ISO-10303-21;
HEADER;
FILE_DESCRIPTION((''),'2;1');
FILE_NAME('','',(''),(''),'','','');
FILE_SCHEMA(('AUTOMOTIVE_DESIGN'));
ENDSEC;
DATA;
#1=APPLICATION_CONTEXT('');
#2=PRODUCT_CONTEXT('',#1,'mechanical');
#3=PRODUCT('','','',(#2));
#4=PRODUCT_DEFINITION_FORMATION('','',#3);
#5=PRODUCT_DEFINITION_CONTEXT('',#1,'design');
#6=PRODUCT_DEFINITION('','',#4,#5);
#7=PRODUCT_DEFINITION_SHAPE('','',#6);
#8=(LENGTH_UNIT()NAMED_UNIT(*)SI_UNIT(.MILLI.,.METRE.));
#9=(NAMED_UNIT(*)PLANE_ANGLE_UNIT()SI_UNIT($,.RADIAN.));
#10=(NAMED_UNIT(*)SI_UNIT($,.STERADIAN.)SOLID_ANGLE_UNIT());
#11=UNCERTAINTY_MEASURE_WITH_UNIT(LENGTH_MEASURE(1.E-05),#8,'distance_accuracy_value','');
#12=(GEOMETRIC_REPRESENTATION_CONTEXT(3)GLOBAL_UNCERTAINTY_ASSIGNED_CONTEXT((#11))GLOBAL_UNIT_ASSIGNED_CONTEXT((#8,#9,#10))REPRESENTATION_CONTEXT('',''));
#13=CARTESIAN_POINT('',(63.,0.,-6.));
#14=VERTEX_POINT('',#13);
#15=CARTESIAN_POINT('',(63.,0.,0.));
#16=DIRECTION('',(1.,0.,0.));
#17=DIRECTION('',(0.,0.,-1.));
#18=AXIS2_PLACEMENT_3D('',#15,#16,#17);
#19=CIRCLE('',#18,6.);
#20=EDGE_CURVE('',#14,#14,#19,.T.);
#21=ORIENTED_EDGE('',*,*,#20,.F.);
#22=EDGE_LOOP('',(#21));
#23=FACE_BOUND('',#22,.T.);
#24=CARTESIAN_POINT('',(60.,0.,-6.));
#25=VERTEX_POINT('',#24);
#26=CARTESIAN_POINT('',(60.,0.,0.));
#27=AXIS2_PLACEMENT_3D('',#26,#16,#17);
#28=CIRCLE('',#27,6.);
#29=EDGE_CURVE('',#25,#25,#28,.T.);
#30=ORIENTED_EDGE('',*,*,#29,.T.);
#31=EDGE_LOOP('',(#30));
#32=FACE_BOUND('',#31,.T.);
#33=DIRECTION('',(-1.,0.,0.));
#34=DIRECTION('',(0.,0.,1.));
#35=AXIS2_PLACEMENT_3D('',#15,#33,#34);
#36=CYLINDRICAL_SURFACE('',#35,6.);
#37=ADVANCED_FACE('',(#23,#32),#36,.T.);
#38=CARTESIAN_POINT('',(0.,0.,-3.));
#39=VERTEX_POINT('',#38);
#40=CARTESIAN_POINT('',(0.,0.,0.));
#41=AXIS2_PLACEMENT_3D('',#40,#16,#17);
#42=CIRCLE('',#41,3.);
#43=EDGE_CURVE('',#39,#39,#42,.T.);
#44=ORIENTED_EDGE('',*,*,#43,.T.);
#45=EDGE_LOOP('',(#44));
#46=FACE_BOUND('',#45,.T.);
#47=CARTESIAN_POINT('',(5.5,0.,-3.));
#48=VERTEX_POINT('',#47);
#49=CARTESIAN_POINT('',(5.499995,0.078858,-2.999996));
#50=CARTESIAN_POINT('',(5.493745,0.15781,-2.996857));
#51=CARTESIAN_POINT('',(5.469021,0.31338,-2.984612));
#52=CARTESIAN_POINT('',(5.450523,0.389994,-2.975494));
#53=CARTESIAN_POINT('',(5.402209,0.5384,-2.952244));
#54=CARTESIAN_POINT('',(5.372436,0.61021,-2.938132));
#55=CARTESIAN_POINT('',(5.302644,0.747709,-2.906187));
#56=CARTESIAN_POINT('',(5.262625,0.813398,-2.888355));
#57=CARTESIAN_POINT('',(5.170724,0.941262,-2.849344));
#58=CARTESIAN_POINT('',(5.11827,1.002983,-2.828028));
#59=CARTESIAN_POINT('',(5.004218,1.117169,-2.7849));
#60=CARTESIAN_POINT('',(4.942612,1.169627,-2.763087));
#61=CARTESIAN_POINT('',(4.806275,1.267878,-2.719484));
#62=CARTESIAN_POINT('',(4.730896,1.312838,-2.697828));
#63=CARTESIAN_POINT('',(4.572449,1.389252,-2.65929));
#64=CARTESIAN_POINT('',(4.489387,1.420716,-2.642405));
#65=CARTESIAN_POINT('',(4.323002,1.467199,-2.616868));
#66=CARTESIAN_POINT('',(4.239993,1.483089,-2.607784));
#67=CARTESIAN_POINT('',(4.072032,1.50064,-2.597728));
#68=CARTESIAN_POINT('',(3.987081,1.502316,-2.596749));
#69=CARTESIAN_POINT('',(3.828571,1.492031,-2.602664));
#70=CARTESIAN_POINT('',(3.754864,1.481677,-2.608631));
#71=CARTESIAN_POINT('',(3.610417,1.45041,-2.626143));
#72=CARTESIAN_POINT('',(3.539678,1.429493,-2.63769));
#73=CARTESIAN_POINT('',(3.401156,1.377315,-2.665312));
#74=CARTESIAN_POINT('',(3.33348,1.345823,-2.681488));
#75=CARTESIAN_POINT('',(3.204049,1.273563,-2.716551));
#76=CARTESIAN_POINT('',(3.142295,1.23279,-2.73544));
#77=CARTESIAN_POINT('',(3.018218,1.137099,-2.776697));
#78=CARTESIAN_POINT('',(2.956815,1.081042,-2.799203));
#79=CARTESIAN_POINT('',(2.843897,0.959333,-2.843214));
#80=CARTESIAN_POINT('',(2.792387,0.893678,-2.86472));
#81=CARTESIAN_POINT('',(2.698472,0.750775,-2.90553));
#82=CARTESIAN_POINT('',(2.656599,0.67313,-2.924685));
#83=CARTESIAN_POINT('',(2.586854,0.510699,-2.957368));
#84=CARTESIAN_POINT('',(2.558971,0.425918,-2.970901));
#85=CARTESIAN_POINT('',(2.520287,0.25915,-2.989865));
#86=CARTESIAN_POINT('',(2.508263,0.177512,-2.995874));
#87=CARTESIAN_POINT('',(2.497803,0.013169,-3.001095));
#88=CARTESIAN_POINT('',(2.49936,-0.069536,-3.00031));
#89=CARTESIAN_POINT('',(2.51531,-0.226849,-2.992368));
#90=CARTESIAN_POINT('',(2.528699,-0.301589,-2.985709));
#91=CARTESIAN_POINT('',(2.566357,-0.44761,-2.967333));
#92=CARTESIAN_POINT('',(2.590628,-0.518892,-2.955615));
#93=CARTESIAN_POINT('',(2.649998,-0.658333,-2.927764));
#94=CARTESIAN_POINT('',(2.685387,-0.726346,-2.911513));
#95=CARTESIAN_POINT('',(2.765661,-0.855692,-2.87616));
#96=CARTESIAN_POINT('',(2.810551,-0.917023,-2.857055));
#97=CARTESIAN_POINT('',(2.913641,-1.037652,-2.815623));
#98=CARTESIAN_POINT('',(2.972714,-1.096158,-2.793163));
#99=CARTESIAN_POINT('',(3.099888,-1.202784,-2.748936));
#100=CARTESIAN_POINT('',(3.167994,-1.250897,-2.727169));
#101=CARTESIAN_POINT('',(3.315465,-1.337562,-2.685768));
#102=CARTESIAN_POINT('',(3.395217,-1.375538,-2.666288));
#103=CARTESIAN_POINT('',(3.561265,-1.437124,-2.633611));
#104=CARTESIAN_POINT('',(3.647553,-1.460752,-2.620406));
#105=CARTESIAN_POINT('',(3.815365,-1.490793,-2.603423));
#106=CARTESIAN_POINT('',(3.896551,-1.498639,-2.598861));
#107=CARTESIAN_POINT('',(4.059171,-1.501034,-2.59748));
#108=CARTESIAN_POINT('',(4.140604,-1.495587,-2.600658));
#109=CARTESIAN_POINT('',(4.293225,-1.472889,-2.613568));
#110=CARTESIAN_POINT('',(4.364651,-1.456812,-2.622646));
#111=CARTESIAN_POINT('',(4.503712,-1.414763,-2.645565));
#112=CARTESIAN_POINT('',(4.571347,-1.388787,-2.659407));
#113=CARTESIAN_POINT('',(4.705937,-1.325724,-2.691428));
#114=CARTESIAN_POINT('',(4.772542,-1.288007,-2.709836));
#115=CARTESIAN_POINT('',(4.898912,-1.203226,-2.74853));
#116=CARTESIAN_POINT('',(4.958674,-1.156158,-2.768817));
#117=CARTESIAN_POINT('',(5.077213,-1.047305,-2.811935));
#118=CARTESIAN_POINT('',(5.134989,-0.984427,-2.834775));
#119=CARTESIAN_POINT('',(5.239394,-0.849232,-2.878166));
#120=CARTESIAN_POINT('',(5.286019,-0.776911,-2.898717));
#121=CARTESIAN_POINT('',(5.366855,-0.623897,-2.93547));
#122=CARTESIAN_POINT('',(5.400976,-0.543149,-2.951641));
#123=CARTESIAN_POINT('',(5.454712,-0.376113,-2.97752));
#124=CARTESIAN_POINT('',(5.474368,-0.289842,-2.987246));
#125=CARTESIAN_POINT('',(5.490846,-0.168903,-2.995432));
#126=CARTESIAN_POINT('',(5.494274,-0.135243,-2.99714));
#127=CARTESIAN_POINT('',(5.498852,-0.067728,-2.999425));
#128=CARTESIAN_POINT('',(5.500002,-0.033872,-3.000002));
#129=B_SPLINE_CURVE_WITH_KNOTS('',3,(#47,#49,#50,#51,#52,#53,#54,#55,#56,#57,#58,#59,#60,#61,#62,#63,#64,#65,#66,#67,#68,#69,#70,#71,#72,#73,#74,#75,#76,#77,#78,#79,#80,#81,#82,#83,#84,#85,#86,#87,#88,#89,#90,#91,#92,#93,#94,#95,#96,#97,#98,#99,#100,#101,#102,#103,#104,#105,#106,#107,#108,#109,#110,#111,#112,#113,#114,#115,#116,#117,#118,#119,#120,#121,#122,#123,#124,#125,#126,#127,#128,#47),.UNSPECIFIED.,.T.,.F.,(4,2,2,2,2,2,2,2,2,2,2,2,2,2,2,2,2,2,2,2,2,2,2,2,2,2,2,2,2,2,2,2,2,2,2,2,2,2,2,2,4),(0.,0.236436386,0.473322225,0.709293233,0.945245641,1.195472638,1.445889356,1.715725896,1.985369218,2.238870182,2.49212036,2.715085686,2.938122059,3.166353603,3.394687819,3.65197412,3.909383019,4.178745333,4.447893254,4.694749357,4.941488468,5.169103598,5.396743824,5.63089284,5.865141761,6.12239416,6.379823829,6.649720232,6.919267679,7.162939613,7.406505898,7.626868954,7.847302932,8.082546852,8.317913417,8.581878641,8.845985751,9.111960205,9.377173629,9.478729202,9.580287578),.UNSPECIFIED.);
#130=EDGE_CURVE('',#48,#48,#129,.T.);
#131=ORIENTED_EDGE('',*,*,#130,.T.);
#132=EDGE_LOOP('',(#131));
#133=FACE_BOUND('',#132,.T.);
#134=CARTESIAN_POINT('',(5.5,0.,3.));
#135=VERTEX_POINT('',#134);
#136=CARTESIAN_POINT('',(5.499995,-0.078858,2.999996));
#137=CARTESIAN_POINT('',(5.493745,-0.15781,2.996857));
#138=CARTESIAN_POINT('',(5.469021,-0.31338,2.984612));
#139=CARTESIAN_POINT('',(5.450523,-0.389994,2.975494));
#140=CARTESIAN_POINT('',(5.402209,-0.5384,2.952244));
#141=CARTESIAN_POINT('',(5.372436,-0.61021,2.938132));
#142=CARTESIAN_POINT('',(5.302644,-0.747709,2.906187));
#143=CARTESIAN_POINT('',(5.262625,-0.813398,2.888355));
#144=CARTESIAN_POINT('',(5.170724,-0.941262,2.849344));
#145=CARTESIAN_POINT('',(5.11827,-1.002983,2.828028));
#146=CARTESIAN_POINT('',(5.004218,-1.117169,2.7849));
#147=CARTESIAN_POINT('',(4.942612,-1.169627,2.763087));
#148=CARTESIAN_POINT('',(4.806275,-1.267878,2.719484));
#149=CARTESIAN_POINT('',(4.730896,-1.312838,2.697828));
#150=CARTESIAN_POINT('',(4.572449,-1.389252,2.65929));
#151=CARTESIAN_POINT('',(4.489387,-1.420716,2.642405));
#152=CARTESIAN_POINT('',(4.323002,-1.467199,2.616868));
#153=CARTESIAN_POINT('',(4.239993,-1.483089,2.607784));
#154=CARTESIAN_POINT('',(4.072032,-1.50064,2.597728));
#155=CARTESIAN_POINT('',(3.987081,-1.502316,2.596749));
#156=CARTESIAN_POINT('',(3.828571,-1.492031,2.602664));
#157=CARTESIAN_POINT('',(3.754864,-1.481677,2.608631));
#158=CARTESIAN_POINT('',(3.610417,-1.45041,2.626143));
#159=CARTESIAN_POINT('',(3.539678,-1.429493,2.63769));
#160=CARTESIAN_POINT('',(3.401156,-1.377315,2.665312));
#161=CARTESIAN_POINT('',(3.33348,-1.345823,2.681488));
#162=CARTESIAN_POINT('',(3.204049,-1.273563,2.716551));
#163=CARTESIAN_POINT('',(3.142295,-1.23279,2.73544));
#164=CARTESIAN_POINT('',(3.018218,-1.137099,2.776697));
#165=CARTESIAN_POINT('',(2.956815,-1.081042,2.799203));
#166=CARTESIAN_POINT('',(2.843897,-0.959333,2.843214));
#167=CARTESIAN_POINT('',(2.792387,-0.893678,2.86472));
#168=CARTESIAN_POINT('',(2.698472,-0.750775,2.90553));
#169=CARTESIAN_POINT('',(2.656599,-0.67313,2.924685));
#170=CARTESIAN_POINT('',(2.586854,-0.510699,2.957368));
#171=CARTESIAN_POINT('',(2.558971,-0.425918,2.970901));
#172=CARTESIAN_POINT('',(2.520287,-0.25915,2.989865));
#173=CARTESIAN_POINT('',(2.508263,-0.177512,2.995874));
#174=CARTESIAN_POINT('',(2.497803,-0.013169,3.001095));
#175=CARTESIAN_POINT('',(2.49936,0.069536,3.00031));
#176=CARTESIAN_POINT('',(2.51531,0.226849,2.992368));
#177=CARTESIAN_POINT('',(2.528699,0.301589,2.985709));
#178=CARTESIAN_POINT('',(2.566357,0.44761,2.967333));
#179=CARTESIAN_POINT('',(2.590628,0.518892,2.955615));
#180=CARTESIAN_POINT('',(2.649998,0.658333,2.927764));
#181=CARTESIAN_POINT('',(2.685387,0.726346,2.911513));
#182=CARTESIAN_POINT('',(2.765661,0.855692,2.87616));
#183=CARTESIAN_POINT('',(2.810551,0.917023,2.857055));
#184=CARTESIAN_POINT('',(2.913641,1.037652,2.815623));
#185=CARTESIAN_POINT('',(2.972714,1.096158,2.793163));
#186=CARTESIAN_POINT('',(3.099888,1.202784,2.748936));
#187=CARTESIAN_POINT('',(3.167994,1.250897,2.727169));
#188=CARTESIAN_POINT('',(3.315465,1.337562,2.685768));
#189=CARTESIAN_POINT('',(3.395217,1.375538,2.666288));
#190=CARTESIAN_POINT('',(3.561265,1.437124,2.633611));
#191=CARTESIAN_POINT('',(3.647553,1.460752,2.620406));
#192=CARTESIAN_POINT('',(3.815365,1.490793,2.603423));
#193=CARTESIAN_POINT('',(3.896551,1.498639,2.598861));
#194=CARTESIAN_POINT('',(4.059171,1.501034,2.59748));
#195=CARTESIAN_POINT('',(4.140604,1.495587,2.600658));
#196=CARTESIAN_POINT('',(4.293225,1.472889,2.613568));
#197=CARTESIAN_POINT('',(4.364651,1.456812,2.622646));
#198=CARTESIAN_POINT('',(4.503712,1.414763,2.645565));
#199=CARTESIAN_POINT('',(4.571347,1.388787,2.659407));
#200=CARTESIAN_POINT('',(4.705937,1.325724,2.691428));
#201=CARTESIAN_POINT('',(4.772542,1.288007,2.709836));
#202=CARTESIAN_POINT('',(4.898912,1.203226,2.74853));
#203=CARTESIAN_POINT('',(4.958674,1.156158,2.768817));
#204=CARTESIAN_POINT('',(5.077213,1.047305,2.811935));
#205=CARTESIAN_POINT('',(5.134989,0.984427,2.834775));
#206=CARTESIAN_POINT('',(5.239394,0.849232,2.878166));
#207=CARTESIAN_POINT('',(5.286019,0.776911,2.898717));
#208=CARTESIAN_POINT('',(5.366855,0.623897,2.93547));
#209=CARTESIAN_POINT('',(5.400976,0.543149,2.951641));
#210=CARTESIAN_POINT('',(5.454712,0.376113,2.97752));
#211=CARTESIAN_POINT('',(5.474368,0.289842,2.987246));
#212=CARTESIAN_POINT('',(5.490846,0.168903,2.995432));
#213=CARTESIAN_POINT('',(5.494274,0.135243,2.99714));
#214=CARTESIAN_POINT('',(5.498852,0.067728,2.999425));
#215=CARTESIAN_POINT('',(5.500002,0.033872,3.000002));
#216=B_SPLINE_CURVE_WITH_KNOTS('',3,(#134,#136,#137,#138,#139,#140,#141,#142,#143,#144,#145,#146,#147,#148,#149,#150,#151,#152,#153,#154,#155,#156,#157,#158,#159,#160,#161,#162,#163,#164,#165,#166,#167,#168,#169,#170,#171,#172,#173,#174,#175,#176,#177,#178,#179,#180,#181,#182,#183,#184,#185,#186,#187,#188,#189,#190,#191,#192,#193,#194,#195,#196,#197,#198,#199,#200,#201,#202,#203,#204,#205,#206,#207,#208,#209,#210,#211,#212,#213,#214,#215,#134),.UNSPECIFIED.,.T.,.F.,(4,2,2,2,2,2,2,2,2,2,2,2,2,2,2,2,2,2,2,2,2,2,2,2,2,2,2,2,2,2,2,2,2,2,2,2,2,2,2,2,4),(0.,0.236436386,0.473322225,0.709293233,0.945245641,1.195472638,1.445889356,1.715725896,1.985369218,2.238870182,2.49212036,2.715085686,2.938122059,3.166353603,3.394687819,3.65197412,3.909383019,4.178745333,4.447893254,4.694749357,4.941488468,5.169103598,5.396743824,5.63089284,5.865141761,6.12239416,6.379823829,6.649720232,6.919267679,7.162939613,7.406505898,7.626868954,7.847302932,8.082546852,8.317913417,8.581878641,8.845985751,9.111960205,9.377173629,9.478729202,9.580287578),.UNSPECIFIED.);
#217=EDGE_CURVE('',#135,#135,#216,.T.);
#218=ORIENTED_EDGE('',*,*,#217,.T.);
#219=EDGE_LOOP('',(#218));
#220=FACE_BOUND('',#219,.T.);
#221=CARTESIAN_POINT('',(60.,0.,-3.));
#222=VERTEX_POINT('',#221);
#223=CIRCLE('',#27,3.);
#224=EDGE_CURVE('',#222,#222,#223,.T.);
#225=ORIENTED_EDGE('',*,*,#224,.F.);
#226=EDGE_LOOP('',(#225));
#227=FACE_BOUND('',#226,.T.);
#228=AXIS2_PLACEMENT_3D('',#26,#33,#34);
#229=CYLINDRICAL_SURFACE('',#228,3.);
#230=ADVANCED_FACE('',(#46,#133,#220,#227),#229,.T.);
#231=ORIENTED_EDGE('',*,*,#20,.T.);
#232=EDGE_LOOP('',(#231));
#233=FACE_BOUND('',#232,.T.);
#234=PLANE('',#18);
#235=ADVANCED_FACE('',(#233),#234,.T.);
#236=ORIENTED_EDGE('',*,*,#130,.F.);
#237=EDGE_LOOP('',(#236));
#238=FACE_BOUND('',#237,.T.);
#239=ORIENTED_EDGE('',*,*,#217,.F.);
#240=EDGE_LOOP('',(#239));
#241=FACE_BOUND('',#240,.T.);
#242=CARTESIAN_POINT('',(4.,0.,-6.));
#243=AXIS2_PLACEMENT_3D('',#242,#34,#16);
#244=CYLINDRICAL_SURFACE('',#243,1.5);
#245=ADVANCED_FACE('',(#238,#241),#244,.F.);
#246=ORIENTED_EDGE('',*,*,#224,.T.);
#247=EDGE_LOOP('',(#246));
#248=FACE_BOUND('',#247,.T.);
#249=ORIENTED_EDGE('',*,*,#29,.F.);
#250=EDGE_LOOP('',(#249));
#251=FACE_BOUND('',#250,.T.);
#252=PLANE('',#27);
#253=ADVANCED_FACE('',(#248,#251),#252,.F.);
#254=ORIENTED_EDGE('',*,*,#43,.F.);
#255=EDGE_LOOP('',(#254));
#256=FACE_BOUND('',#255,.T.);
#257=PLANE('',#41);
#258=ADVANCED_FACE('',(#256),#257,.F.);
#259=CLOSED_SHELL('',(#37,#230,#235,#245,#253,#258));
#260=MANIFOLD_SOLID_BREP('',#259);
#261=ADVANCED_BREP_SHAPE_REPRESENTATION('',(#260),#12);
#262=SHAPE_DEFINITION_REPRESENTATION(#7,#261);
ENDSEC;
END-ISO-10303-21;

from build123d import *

# Parameters (mm, degrees)
SKETCH1_R               = 3
BOSS_EXTRUDE1_DEPTH     = 60
SKETCH2_R               = 6
BOSS_EXTRUDE2_DEPTH     = 3
SKETCH3_R               = 1.5
CUT_EXTRUDE1_DEPTH      = 7
CUT_EXTRUDE1_DEPTH_BACK = 7


with BuildPart() as part:
    # Sketch1 → Boss-Extrude1 (new body)
    with BuildSketch(Plane(origin=(0, 0, 0), x_dir=(0, 0, -1), z_dir=(1, 0, 0))):
        Circle(SKETCH1_R)
    extrude(amount=BOSS_EXTRUDE1_DEPTH)

    # Sketch2 → Boss-Extrude2 (add)
    with BuildSketch(Plane(origin=(60, 0, 0), x_dir=(0, 0, -1), z_dir=(1, 0, 0))):
        Circle(SKETCH2_R)
    extrude(amount=BOSS_EXTRUDE2_DEPTH)

    # Sketch3 → Cut-Extrude1 (cut, two sides)
    with BuildSketch(Plane.XY) as cut_extrude1_sk:
        with Locations((4, 0)):
            Circle(SKETCH3_R)
    extrude(amount=CUT_EXTRUDE1_DEPTH, mode=Mode.SUBTRACT)
    extrude(cut_extrude1_sk.sketch, amount=-CUT_EXTRUDE1_DEPTH_BACK, mode=Mode.SUBTRACT)


solid = part.part
